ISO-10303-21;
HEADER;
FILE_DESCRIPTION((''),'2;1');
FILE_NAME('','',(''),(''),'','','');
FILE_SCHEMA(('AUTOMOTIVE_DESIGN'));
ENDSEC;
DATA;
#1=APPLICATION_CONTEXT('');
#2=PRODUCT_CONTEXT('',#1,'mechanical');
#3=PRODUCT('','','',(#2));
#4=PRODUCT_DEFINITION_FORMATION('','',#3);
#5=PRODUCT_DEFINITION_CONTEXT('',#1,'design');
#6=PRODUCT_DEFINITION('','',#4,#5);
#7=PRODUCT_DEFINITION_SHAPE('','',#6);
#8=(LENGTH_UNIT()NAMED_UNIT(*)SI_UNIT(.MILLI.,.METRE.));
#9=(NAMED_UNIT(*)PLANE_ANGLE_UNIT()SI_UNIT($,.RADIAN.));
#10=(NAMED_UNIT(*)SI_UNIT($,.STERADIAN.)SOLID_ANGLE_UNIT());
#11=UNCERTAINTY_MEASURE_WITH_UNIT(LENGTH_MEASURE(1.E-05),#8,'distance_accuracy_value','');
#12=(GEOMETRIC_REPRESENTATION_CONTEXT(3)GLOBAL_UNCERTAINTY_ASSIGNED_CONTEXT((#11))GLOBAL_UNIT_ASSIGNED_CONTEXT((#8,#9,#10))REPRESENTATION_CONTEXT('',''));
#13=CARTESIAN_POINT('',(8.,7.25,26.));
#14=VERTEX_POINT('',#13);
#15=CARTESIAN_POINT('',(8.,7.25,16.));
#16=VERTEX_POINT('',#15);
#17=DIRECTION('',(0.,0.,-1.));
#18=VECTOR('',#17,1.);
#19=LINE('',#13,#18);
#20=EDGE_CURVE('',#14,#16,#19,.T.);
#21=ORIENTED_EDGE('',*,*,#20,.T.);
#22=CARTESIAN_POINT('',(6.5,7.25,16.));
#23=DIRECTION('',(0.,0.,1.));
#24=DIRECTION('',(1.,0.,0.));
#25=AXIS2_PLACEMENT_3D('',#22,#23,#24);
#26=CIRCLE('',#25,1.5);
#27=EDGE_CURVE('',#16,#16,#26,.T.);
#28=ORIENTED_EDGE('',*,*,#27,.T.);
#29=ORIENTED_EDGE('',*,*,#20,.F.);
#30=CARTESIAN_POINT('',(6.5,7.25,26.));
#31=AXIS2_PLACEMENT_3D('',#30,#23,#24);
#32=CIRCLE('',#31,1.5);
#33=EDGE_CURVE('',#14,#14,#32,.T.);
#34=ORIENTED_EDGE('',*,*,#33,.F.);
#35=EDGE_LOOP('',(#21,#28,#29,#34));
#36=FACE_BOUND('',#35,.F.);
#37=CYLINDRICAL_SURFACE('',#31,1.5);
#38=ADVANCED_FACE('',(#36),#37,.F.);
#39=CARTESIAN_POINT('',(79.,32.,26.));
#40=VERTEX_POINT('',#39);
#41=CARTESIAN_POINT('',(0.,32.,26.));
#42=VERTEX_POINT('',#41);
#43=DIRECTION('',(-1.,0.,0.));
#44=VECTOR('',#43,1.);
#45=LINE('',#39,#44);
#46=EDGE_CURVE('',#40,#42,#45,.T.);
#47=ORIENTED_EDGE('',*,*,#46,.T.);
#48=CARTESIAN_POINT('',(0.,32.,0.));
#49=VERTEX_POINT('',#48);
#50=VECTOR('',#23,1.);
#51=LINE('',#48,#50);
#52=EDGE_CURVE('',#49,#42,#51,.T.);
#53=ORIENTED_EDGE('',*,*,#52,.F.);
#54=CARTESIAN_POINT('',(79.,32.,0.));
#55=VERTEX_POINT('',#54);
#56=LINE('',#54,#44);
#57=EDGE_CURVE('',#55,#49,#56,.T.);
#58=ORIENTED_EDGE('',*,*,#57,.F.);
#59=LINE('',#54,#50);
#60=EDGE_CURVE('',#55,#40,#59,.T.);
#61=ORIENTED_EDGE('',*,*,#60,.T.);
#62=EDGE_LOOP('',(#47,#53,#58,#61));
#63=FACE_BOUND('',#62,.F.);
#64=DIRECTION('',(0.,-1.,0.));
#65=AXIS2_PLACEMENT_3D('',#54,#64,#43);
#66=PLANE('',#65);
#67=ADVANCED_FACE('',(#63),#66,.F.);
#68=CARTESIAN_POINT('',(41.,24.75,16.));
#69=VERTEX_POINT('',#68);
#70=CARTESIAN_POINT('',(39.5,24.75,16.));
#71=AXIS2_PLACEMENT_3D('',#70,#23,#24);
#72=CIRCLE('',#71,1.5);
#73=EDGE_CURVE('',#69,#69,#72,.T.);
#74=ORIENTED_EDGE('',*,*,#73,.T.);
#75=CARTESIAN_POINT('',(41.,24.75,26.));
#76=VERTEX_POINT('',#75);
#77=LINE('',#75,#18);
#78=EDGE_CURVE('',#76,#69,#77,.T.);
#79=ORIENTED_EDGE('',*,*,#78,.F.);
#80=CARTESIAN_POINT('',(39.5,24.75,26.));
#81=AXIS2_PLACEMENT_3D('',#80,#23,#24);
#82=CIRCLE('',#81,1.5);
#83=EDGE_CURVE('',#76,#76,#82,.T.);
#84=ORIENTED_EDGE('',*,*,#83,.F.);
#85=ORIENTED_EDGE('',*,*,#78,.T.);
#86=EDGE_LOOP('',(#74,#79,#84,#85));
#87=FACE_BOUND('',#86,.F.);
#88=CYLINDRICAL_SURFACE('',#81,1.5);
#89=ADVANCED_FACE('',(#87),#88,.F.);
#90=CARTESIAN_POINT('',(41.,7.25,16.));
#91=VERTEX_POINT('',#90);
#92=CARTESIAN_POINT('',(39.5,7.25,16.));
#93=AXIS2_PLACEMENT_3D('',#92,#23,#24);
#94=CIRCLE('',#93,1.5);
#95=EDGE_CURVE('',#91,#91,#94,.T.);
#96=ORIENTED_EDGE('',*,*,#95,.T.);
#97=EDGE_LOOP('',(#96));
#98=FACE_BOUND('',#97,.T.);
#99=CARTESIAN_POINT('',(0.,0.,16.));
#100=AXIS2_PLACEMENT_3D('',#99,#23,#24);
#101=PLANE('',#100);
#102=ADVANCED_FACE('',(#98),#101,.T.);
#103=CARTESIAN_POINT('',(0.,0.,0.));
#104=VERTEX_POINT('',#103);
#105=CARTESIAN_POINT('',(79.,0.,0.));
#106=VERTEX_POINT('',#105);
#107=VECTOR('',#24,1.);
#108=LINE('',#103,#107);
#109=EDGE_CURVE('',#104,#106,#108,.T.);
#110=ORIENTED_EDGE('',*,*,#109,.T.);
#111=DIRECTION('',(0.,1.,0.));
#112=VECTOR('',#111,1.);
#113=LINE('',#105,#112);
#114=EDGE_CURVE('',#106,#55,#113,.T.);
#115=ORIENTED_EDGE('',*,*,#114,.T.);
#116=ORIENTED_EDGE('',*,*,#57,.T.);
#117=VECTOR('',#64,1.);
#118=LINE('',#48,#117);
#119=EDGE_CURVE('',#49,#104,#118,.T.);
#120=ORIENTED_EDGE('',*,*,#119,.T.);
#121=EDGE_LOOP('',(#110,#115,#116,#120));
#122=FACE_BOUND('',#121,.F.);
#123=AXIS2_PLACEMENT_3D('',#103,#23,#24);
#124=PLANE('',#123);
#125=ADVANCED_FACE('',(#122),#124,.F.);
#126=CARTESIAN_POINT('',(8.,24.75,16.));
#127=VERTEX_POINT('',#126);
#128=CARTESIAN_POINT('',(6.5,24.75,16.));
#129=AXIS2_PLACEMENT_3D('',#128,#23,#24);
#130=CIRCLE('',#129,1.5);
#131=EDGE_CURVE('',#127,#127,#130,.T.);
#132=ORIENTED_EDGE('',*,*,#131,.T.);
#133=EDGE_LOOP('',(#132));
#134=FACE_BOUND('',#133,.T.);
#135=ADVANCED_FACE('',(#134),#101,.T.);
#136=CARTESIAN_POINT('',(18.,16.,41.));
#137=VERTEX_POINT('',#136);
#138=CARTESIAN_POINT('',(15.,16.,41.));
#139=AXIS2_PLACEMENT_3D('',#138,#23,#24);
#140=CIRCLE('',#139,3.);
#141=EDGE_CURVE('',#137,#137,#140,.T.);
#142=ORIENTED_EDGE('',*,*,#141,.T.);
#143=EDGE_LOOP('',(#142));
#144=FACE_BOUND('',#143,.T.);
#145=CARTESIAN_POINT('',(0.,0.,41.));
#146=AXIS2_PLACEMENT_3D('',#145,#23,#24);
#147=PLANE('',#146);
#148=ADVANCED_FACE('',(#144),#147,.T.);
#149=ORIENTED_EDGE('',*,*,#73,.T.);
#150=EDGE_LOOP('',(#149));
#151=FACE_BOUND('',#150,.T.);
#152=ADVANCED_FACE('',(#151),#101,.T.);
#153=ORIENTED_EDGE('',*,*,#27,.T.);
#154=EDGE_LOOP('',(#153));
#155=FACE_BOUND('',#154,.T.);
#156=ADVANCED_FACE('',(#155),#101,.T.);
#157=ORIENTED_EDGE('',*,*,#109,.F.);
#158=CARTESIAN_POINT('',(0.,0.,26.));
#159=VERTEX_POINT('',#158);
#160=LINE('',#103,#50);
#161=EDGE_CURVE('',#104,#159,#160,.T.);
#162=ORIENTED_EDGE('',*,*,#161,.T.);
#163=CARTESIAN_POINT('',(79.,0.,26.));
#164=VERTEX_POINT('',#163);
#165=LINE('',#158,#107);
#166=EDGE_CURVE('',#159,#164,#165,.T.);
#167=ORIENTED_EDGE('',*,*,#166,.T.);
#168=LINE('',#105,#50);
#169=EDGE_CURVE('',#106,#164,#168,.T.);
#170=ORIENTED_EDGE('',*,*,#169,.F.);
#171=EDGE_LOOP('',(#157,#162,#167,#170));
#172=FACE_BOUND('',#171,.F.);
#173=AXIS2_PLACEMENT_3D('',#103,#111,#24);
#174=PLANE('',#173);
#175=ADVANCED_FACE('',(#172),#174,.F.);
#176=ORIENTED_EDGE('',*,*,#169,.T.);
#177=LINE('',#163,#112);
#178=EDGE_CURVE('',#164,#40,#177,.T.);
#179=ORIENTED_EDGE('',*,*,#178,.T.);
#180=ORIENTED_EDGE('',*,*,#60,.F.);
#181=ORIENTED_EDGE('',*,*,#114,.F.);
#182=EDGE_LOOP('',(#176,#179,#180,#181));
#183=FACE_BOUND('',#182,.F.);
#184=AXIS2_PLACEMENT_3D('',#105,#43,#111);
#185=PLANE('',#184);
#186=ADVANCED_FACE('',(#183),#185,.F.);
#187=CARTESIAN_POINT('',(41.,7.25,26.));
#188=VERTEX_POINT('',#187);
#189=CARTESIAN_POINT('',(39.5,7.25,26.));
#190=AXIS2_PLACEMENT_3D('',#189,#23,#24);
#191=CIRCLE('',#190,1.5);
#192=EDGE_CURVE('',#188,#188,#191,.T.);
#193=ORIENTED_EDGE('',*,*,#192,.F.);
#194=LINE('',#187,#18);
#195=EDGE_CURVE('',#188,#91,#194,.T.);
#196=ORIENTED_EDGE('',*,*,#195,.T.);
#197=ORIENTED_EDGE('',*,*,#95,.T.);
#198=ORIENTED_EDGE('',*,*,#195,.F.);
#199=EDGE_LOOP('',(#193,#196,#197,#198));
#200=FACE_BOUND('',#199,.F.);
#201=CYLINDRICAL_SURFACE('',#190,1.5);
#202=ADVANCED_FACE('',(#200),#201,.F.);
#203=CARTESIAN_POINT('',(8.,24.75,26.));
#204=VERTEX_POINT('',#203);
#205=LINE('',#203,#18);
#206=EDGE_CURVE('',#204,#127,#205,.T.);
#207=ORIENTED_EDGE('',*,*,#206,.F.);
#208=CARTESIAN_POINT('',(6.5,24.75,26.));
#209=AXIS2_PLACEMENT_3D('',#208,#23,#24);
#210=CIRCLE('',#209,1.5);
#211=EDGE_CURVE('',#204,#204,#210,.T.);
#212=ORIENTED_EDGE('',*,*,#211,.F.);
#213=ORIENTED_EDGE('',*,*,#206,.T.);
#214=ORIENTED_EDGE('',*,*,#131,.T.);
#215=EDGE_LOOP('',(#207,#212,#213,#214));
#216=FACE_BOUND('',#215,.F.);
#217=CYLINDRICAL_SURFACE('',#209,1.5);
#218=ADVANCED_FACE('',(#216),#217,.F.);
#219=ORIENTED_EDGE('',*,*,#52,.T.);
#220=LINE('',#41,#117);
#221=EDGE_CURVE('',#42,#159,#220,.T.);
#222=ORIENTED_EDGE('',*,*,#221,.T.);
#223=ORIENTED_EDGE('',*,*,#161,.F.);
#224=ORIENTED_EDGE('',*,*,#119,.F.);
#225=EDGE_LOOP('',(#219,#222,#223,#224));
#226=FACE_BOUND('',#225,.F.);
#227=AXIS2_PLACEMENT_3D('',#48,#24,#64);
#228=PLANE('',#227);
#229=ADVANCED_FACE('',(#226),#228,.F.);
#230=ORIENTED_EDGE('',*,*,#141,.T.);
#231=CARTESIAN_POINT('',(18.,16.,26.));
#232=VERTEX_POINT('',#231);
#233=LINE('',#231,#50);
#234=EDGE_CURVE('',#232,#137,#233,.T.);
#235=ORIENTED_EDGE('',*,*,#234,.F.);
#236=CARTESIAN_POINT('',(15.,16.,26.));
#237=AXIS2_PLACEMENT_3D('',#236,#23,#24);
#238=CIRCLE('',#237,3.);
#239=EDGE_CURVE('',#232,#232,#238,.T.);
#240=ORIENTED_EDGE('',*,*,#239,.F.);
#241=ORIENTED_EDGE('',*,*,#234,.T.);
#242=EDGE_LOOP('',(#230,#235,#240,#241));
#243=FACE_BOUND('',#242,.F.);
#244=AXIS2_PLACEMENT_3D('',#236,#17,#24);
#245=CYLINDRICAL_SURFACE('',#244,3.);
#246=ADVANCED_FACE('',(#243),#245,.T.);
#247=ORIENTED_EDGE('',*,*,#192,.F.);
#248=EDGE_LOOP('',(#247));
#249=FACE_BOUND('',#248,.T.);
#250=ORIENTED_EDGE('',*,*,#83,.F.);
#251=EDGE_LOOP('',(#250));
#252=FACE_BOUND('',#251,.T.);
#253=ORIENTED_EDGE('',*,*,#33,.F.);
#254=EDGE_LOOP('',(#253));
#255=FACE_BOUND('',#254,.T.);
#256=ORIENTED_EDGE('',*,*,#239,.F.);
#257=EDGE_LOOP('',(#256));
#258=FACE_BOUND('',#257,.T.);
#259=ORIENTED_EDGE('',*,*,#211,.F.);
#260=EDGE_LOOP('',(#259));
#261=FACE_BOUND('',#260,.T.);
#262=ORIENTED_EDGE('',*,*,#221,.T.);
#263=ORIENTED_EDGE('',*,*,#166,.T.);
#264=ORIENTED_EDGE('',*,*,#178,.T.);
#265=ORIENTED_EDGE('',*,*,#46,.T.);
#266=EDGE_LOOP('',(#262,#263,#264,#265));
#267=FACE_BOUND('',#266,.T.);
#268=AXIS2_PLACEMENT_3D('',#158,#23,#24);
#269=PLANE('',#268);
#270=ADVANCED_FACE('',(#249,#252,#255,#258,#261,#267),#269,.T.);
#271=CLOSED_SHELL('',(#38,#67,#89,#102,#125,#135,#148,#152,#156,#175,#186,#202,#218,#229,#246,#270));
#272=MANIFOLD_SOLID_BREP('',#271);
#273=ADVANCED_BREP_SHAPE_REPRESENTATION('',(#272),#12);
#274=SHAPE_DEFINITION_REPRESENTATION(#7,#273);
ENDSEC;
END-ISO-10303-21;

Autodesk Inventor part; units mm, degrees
ref_plane "YZ Plane" through (0, 0, 0) normal (1, 0, 0) x (0, 1, 0)
ref_plane "XZ Plane" through (0, 0, 0) normal (0, 1, 0) x (-1, 0, 0)
ref_plane "XY Plane" through (0, 0, 0) normal (0, 0, 1) x (1, 0, 0)
sketch "Sketch1" plane through (0, 0, 0) normal (0, 0, 1) x (1, 0, 0)
  line L0 (0, 0) -> (79, 0)
  line L1 (79, 0) -> (79, 32)
  line L2 (79, 32) -> (0, 32)
  line L3 (0, 32) -> (0, 0)
  dimension "d0" = 79
  dimension "d1" = 32
extrude "Extrusion1" add sketch "Sketch1" along normal blind 26
sketch "Sketch2" plane through (0, 0, 26) normal (0, 0, 1) x (1, 0, 0)
  circle A0 centre (15, 16) radius 3
  line L0 (0, 32) -> (0, 0) projected
  line L1 (6.5, 24.75) -> (39.5, 24.75) construction
  line L2 (39.5, 24.75) -> (39.5, 7.25) construction
  line L3 (39.5, 7.25) -> (6.5, 7.25) construction
  line L4 (6.5, 7.25) -> (6.5, 24.75) construction
  circle A1 centre (6.5, 24.75) radius 1.5
  circle A2 centre (6.5, 7.25) radius 1.5
  circle A3 centre (39.5, 24.75) radius 1.5
  circle A4 centre (39.5, 7.25) radius 1.5
  point P0 (0, 16)
  point P1 (6.5, 16)
  dimension "d4" = 6
  dimension "d5" = 15
  dimension "d6" = 33
  dimension "d7" = 17.5
  dimension "d8" = 8.5
  dimension "d9" = 3
  dimension "d10" = 3
  dimension "d11" = 3
  dimension "d12" = 3
extrude "Extrusion2" add sketch "Sketch2" along normal blind 15 contours A0
extrude "Extrusion3" cut sketch "Sketch2" against normal blind 10 contours A1 | A2 | A3 | A4
properties part number "Motor"
